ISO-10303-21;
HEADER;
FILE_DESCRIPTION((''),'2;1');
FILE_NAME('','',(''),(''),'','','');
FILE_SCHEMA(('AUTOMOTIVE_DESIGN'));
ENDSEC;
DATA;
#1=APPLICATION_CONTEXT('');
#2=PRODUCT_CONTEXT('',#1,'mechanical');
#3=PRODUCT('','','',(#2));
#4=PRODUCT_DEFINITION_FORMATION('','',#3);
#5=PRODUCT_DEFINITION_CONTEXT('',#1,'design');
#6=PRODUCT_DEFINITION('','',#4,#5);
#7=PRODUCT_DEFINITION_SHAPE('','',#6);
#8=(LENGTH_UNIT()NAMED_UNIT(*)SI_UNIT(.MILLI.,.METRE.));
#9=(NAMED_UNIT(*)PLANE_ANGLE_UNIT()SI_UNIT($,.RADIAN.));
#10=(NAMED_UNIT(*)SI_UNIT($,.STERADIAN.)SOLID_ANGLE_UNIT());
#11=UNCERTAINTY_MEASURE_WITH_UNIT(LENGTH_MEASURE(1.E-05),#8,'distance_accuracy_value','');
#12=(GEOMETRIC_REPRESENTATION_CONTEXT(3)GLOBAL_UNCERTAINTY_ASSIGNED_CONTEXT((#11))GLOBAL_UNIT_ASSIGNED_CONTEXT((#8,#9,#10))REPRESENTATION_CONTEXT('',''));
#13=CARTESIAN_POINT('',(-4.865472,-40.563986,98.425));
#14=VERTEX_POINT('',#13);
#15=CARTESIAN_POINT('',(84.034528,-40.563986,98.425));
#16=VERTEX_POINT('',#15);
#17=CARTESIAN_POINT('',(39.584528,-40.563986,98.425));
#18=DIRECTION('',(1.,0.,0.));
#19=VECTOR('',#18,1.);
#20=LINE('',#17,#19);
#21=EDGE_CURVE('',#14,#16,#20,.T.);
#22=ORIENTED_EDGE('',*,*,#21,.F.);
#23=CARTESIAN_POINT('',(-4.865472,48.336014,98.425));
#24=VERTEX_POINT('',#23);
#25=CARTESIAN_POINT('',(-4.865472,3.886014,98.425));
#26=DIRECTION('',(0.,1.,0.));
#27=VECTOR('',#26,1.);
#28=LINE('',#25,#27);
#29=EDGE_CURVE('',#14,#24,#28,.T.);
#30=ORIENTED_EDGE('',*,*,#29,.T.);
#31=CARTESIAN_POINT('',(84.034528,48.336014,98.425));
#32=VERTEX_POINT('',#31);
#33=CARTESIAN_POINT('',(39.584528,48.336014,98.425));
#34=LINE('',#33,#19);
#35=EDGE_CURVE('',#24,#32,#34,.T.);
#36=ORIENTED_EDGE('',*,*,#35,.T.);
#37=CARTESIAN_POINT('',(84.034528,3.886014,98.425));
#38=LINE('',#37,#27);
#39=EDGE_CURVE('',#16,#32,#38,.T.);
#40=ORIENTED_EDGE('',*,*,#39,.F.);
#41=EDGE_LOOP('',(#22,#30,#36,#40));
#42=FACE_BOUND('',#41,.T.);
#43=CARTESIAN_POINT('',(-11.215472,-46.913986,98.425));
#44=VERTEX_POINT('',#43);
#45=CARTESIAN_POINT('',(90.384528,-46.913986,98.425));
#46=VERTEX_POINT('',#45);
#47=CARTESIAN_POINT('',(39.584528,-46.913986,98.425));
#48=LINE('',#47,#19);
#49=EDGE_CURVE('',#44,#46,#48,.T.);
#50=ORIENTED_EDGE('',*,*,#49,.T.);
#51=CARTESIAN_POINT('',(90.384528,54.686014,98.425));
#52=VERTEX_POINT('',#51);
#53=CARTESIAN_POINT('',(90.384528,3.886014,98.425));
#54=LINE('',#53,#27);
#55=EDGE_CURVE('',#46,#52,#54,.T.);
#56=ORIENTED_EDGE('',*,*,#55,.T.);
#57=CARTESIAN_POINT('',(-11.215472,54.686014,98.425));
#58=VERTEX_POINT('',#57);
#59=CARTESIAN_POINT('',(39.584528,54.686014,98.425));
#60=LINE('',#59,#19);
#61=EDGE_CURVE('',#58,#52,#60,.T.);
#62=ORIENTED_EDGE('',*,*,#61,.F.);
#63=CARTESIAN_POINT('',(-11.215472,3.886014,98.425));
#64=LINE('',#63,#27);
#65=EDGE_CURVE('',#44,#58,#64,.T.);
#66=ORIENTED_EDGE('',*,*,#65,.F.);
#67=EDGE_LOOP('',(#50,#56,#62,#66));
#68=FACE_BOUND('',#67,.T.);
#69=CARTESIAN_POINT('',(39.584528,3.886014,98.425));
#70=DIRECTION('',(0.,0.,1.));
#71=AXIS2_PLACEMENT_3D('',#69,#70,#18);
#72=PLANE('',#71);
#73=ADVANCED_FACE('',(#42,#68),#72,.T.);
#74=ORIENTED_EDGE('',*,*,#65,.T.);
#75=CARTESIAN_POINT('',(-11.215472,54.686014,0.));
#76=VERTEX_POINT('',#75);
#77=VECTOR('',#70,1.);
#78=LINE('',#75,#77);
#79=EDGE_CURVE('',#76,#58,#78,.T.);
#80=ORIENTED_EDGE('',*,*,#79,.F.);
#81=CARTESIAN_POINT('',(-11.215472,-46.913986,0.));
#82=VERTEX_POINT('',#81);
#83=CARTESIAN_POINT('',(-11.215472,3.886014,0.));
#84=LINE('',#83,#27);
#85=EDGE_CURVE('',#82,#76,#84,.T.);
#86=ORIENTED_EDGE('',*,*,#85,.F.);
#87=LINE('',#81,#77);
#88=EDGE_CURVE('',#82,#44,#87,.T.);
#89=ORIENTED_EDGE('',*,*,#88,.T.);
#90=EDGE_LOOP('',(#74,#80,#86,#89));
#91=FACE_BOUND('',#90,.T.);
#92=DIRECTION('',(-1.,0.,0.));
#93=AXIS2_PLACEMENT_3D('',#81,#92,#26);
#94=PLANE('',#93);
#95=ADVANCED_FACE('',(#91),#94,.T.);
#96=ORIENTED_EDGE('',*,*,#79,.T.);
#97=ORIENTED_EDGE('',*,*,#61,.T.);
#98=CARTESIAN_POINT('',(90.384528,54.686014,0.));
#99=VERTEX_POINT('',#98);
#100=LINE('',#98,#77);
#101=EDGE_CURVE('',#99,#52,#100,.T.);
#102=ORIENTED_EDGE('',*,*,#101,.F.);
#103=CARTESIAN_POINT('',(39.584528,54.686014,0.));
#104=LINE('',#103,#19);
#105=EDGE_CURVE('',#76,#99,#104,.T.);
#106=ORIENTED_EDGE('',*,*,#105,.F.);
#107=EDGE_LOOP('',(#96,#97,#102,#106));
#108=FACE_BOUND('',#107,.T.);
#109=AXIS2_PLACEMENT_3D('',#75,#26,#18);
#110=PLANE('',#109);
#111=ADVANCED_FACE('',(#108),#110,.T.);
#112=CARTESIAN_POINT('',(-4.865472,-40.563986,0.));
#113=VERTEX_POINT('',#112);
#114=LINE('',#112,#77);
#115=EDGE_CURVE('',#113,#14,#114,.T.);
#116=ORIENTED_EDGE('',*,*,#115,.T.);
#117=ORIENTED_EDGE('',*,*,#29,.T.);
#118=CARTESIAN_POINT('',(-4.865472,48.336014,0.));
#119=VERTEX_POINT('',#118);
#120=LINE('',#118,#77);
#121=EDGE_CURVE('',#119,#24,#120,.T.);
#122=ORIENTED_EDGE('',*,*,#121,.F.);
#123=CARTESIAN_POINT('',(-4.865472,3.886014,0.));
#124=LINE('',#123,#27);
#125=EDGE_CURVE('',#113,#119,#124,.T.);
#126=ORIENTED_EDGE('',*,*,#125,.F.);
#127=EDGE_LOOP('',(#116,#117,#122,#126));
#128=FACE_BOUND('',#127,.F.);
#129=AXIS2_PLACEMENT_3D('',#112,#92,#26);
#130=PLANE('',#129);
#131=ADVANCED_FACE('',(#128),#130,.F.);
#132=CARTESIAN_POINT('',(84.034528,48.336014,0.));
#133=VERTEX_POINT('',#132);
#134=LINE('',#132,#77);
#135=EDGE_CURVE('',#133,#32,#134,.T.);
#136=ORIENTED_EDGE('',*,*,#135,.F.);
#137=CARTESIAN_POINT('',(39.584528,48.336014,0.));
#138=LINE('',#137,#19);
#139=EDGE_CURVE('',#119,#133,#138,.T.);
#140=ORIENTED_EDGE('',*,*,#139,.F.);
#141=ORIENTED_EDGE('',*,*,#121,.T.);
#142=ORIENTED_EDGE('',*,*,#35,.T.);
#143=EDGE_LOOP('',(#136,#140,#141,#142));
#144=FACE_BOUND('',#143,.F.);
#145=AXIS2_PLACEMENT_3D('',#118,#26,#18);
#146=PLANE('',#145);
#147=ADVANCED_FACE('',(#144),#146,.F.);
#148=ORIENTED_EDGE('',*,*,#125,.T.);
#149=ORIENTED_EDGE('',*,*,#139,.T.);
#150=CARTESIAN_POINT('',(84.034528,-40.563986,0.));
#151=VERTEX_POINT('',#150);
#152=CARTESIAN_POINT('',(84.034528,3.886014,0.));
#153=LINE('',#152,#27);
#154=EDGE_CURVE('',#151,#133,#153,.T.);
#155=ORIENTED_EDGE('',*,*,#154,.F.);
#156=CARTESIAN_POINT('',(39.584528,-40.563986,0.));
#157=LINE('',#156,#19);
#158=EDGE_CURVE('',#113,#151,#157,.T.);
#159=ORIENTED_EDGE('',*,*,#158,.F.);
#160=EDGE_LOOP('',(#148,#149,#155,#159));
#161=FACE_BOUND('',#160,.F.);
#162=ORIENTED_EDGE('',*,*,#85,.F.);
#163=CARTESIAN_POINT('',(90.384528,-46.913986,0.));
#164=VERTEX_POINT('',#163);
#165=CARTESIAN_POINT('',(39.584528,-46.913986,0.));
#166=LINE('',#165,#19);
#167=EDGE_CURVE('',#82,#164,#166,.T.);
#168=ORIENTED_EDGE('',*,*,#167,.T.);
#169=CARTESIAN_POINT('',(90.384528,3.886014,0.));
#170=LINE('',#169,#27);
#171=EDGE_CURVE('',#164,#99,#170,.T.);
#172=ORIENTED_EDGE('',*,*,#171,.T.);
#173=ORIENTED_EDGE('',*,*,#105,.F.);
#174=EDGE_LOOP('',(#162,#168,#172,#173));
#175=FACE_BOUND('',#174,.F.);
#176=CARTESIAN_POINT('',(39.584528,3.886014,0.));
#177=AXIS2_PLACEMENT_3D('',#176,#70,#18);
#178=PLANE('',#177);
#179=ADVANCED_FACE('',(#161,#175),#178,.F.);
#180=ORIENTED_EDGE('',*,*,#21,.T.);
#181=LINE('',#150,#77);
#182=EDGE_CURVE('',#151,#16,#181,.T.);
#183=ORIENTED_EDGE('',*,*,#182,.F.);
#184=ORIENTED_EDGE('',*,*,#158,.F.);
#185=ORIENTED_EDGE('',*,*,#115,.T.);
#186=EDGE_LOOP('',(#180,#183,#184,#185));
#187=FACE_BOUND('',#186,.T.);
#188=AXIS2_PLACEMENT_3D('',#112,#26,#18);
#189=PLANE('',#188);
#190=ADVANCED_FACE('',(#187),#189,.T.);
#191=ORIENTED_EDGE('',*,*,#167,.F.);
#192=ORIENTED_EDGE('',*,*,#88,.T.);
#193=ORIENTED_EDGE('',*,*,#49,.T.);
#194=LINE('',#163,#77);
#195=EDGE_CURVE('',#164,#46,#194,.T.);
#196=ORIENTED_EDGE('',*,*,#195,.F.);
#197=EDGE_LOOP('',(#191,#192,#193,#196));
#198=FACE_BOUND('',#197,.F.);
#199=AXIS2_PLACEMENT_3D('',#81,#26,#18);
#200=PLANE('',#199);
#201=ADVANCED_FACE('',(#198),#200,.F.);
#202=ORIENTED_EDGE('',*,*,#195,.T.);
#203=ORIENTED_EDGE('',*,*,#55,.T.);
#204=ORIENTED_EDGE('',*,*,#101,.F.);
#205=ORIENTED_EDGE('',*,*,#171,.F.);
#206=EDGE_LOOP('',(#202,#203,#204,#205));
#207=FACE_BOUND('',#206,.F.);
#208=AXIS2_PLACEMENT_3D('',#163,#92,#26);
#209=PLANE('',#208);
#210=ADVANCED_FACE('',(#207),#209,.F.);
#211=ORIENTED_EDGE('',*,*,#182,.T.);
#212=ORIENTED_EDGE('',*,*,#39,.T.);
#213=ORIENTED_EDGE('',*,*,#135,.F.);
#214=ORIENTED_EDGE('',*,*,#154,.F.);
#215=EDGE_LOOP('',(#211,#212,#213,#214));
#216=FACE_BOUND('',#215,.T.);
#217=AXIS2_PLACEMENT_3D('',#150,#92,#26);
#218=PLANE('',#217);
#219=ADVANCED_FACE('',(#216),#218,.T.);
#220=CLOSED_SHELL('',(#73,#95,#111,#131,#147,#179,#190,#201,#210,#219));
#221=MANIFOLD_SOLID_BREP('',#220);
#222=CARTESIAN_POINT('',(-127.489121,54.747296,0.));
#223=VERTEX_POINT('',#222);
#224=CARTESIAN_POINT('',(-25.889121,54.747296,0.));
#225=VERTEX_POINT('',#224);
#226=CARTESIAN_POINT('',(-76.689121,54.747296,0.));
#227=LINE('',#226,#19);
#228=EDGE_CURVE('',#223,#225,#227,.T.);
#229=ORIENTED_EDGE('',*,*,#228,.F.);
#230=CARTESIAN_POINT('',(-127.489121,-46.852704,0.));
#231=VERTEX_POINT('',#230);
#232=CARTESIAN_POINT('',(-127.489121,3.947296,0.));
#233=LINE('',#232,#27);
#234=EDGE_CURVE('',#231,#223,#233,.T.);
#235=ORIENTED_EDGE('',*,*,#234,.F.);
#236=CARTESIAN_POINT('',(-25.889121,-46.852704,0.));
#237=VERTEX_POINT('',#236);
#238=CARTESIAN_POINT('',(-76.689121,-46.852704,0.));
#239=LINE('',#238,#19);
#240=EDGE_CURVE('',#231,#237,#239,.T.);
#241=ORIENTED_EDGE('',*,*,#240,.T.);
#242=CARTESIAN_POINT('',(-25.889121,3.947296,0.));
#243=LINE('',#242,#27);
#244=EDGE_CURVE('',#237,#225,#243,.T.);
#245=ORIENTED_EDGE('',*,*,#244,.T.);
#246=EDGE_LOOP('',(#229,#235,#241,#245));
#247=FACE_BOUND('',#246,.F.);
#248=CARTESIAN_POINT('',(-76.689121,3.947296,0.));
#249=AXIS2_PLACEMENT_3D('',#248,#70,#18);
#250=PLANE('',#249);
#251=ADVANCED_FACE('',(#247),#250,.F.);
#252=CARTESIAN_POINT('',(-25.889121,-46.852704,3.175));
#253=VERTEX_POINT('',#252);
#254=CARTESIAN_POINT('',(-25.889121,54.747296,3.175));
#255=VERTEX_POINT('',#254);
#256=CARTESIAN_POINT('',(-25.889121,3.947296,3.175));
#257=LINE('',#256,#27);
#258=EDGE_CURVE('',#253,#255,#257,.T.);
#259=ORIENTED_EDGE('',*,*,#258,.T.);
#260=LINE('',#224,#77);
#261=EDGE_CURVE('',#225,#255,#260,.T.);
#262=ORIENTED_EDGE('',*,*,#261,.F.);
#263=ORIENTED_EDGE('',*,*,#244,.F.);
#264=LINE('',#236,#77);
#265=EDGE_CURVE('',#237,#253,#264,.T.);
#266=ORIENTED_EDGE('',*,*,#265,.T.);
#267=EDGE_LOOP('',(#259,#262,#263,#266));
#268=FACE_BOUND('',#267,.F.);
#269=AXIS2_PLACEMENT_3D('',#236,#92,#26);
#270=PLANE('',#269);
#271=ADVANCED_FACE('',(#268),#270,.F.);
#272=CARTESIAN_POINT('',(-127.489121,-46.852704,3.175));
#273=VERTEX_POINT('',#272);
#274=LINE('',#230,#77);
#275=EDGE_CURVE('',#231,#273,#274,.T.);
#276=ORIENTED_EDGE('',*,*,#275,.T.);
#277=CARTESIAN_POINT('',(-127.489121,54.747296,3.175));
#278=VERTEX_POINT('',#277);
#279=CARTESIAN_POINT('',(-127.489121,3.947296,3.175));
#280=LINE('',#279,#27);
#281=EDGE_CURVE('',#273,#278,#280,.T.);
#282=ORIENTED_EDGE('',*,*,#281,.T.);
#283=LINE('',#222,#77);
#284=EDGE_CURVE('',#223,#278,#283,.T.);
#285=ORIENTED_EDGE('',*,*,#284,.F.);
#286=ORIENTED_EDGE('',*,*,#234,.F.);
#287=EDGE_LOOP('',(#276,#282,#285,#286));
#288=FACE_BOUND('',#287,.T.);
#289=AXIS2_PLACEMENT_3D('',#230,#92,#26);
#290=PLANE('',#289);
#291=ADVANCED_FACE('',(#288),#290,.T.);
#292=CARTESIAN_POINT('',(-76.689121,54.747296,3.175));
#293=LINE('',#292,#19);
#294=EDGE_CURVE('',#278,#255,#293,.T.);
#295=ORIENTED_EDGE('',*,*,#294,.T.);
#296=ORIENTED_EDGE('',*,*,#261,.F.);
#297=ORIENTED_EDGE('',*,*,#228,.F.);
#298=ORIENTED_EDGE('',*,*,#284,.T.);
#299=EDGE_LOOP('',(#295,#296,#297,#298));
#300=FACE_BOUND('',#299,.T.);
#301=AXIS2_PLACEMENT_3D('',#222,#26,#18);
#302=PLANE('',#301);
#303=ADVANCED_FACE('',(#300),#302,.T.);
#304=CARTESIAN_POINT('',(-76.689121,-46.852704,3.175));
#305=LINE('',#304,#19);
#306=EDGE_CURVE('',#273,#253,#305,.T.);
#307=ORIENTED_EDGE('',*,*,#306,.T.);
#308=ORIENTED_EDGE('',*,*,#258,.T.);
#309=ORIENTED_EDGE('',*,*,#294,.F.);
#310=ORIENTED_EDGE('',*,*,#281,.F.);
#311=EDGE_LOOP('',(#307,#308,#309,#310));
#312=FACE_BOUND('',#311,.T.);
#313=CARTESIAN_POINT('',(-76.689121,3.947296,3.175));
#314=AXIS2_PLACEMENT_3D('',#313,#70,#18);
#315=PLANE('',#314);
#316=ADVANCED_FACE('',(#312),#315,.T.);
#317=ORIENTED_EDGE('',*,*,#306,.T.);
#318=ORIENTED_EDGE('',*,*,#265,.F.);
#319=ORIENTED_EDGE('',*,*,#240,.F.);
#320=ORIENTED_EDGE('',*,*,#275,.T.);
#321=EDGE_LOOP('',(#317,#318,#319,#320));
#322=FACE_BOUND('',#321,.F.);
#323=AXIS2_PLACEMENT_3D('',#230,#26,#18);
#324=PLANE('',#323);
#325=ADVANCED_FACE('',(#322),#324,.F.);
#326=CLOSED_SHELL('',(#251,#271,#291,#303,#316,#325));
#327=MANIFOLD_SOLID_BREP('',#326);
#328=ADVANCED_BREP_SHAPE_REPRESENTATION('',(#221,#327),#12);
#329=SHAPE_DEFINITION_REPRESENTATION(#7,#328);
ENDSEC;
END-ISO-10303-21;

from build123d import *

# Parameters (mm, degrees)
F0_W     = 101.6
F0_H     = 101.6
F1_DEPTH = 3.175
F0_W_2   = 88.9
F0_H_2   = 88.9
F2_DEPTH = 98.425


with BuildPart() as f1:
    # F0 (on Top) → F1 (new body)
    with BuildSketch(Plane.XY):
        with Locations((-76.689121, 3.947296)):
            Rectangle(F0_W, F0_H)
    extrude(amount=F1_DEPTH)


with BuildPart() as f2:
    # F0 (on Top) → F2 (new body)
    with BuildSketch(Plane.XY):
        with Locations((39.584528, 3.886014)):
            Rectangle(F0_W, F0_H)
        with Locations((39.584528, 3.886014)):
            Rectangle(F0_W_2, F0_H_2, mode=Mode.SUBTRACT)
    extrude(amount=F2_DEPTH)


solid = Compound([f1.part, f2.part])
